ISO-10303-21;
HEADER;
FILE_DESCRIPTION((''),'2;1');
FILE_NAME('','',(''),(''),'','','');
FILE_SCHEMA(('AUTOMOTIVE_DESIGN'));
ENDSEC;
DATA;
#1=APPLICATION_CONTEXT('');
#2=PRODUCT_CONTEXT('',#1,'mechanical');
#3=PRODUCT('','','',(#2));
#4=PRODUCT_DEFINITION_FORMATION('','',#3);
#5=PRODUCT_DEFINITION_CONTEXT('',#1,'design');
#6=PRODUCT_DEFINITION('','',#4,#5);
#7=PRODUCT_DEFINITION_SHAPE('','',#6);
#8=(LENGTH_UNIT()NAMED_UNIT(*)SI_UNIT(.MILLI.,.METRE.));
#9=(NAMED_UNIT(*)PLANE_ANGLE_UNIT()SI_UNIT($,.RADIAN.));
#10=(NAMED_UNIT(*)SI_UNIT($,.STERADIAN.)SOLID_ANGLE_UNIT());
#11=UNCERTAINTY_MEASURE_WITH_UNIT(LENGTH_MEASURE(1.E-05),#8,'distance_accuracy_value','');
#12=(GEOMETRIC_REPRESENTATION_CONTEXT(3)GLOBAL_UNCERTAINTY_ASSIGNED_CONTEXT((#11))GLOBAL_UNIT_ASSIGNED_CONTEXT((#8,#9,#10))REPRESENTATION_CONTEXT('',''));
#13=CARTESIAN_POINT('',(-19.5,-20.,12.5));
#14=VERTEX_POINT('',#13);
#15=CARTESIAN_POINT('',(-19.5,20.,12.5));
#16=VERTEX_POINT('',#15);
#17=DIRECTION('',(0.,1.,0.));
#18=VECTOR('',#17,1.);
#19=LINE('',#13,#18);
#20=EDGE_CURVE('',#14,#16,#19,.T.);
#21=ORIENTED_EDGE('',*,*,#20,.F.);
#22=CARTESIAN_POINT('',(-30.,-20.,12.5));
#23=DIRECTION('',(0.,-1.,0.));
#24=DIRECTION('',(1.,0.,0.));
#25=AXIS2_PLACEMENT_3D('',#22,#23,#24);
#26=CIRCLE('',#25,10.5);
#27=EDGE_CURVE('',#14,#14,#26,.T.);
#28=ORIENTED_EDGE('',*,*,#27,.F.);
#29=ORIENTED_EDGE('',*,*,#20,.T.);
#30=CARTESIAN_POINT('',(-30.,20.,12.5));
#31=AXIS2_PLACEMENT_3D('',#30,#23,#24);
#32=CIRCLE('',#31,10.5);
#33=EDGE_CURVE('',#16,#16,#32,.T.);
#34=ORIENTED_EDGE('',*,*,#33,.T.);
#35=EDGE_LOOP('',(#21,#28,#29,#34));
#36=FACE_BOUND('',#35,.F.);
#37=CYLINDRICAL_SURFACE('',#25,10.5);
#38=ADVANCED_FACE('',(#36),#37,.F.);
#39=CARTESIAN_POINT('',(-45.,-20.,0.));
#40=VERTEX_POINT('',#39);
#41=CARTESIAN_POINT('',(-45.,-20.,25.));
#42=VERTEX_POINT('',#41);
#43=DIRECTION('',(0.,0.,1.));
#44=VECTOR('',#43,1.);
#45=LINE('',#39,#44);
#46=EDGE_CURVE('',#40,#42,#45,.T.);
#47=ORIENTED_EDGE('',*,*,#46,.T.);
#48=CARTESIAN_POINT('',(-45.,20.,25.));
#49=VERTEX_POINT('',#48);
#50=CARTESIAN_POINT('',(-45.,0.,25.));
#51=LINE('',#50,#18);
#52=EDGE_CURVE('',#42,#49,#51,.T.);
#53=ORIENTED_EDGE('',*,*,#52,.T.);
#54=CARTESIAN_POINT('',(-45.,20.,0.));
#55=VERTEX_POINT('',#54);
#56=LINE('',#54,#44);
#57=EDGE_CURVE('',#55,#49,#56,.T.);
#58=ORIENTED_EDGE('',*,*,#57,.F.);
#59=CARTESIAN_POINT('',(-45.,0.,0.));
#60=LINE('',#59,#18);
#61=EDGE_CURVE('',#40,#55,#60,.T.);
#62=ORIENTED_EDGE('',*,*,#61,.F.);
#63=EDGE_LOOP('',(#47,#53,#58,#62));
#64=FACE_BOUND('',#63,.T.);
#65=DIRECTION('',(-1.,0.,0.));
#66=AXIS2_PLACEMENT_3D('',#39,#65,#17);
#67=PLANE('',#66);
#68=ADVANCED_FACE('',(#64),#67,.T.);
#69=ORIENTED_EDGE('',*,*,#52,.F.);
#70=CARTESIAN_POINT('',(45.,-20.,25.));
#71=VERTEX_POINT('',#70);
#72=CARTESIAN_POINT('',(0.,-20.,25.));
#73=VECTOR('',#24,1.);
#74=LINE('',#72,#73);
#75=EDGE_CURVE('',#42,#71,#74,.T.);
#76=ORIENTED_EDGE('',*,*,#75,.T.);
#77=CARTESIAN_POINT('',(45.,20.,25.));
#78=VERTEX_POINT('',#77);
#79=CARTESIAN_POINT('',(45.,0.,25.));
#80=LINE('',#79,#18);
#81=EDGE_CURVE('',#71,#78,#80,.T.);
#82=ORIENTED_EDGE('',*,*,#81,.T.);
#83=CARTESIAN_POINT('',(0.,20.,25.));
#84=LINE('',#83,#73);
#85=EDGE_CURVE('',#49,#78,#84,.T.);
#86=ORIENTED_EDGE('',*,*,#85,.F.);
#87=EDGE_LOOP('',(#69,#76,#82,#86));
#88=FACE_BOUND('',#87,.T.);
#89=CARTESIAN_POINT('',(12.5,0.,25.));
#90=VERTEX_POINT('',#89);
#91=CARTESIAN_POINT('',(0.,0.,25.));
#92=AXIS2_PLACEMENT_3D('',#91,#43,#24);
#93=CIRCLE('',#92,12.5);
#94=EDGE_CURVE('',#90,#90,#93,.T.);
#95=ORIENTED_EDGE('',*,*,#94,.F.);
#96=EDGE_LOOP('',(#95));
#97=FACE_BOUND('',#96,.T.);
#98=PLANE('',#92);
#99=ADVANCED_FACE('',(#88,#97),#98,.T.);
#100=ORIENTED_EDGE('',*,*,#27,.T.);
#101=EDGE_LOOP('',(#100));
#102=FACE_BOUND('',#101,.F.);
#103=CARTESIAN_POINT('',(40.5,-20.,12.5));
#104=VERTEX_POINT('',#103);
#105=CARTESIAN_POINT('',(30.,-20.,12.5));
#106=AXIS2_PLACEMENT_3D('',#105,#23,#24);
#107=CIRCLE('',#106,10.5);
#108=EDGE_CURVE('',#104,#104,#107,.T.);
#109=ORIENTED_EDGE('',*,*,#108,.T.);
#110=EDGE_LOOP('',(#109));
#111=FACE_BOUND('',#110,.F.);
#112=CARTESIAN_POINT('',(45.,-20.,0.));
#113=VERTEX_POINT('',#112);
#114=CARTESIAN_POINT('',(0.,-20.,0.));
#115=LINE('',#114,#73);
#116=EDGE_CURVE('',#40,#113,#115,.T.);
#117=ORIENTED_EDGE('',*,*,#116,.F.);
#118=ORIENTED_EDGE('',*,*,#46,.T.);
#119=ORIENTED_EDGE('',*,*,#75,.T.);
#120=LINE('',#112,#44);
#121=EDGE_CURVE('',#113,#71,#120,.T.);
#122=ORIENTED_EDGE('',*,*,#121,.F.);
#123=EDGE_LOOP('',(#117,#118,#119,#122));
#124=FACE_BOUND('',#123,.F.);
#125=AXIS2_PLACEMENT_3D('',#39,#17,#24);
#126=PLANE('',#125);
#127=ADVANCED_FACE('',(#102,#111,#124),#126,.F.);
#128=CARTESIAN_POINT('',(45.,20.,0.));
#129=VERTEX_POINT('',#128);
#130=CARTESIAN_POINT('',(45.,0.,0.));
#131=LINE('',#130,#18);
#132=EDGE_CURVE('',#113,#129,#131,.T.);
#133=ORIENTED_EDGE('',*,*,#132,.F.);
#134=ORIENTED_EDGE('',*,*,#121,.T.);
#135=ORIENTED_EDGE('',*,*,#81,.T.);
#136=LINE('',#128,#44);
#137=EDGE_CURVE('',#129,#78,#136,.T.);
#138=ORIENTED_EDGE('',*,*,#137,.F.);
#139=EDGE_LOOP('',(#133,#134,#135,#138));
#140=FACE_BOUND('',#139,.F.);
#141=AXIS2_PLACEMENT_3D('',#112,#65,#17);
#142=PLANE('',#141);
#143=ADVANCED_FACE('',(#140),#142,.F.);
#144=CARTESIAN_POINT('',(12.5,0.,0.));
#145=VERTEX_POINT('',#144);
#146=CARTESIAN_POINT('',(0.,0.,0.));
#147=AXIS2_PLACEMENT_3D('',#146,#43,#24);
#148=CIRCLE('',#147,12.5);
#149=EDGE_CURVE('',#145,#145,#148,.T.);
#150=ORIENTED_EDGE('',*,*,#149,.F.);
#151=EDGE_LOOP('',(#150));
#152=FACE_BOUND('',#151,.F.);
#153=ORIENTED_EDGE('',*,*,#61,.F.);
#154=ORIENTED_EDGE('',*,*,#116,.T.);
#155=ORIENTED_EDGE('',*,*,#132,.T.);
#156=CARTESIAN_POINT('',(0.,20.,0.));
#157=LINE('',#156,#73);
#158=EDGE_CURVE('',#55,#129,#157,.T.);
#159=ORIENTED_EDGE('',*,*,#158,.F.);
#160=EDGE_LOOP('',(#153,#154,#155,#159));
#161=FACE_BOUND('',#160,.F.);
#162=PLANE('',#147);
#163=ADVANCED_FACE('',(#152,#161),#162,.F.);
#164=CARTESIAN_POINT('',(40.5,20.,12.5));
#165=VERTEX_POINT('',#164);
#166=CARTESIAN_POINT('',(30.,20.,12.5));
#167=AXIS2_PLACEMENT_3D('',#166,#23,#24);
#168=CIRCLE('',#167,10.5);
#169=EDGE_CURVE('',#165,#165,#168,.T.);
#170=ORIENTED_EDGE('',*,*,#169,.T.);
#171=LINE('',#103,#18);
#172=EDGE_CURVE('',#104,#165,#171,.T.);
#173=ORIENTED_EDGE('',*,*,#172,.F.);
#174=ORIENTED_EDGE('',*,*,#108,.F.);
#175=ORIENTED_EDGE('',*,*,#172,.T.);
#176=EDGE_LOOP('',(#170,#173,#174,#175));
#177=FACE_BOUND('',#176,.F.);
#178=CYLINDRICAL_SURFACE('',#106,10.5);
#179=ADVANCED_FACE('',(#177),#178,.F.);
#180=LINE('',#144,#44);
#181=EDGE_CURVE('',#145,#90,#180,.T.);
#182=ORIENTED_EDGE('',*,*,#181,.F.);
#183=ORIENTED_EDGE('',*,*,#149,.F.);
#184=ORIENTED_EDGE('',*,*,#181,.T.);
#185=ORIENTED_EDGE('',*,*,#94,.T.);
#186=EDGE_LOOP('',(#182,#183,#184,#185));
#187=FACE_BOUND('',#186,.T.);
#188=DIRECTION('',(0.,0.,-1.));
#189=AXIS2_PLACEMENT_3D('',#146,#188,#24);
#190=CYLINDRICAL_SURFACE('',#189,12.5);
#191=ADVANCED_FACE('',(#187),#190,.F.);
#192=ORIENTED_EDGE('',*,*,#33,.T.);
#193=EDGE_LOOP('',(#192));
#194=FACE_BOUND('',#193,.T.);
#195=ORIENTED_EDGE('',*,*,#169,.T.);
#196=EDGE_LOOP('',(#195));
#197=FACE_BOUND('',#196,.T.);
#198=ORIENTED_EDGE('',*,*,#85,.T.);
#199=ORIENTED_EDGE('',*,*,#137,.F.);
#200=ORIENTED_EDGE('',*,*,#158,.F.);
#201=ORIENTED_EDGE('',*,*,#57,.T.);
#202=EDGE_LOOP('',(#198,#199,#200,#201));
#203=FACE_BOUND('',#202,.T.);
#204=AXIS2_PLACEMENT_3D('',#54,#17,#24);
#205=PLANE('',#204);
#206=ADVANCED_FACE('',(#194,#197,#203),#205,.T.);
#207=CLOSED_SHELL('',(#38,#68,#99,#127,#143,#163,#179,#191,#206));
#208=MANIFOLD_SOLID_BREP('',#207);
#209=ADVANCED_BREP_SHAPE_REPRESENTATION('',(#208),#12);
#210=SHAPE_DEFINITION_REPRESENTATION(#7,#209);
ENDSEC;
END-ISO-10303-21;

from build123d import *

# Parameters (mm, degrees)
F0_W     = 90
F0_H     = 40
F0_R     = 12.5
F1_DEPTH = 25
F2_R     = 10.5
F3_DEPTH = 40.001


with BuildPart() as f1:
    # F0 (on Top) → F1 (new body)
    with BuildSketch(Plane.XY):
        Rectangle(F0_W, F0_H)
        Circle(F0_R, mode=Mode.SUBTRACT)
    extrude(amount=F1_DEPTH)

    # F2 (on face) → F3 (cut, through all)
    with BuildSketch(Plane.XZ.offset(20)):
        with Locations((30, 12.5)):
            Circle(F2_R)
        with Locations((-30, 12.5)):
            Circle(F2_R)
    extrude(amount=-F3_DEPTH, mode=Mode.SUBTRACT)


solid = f1.part
